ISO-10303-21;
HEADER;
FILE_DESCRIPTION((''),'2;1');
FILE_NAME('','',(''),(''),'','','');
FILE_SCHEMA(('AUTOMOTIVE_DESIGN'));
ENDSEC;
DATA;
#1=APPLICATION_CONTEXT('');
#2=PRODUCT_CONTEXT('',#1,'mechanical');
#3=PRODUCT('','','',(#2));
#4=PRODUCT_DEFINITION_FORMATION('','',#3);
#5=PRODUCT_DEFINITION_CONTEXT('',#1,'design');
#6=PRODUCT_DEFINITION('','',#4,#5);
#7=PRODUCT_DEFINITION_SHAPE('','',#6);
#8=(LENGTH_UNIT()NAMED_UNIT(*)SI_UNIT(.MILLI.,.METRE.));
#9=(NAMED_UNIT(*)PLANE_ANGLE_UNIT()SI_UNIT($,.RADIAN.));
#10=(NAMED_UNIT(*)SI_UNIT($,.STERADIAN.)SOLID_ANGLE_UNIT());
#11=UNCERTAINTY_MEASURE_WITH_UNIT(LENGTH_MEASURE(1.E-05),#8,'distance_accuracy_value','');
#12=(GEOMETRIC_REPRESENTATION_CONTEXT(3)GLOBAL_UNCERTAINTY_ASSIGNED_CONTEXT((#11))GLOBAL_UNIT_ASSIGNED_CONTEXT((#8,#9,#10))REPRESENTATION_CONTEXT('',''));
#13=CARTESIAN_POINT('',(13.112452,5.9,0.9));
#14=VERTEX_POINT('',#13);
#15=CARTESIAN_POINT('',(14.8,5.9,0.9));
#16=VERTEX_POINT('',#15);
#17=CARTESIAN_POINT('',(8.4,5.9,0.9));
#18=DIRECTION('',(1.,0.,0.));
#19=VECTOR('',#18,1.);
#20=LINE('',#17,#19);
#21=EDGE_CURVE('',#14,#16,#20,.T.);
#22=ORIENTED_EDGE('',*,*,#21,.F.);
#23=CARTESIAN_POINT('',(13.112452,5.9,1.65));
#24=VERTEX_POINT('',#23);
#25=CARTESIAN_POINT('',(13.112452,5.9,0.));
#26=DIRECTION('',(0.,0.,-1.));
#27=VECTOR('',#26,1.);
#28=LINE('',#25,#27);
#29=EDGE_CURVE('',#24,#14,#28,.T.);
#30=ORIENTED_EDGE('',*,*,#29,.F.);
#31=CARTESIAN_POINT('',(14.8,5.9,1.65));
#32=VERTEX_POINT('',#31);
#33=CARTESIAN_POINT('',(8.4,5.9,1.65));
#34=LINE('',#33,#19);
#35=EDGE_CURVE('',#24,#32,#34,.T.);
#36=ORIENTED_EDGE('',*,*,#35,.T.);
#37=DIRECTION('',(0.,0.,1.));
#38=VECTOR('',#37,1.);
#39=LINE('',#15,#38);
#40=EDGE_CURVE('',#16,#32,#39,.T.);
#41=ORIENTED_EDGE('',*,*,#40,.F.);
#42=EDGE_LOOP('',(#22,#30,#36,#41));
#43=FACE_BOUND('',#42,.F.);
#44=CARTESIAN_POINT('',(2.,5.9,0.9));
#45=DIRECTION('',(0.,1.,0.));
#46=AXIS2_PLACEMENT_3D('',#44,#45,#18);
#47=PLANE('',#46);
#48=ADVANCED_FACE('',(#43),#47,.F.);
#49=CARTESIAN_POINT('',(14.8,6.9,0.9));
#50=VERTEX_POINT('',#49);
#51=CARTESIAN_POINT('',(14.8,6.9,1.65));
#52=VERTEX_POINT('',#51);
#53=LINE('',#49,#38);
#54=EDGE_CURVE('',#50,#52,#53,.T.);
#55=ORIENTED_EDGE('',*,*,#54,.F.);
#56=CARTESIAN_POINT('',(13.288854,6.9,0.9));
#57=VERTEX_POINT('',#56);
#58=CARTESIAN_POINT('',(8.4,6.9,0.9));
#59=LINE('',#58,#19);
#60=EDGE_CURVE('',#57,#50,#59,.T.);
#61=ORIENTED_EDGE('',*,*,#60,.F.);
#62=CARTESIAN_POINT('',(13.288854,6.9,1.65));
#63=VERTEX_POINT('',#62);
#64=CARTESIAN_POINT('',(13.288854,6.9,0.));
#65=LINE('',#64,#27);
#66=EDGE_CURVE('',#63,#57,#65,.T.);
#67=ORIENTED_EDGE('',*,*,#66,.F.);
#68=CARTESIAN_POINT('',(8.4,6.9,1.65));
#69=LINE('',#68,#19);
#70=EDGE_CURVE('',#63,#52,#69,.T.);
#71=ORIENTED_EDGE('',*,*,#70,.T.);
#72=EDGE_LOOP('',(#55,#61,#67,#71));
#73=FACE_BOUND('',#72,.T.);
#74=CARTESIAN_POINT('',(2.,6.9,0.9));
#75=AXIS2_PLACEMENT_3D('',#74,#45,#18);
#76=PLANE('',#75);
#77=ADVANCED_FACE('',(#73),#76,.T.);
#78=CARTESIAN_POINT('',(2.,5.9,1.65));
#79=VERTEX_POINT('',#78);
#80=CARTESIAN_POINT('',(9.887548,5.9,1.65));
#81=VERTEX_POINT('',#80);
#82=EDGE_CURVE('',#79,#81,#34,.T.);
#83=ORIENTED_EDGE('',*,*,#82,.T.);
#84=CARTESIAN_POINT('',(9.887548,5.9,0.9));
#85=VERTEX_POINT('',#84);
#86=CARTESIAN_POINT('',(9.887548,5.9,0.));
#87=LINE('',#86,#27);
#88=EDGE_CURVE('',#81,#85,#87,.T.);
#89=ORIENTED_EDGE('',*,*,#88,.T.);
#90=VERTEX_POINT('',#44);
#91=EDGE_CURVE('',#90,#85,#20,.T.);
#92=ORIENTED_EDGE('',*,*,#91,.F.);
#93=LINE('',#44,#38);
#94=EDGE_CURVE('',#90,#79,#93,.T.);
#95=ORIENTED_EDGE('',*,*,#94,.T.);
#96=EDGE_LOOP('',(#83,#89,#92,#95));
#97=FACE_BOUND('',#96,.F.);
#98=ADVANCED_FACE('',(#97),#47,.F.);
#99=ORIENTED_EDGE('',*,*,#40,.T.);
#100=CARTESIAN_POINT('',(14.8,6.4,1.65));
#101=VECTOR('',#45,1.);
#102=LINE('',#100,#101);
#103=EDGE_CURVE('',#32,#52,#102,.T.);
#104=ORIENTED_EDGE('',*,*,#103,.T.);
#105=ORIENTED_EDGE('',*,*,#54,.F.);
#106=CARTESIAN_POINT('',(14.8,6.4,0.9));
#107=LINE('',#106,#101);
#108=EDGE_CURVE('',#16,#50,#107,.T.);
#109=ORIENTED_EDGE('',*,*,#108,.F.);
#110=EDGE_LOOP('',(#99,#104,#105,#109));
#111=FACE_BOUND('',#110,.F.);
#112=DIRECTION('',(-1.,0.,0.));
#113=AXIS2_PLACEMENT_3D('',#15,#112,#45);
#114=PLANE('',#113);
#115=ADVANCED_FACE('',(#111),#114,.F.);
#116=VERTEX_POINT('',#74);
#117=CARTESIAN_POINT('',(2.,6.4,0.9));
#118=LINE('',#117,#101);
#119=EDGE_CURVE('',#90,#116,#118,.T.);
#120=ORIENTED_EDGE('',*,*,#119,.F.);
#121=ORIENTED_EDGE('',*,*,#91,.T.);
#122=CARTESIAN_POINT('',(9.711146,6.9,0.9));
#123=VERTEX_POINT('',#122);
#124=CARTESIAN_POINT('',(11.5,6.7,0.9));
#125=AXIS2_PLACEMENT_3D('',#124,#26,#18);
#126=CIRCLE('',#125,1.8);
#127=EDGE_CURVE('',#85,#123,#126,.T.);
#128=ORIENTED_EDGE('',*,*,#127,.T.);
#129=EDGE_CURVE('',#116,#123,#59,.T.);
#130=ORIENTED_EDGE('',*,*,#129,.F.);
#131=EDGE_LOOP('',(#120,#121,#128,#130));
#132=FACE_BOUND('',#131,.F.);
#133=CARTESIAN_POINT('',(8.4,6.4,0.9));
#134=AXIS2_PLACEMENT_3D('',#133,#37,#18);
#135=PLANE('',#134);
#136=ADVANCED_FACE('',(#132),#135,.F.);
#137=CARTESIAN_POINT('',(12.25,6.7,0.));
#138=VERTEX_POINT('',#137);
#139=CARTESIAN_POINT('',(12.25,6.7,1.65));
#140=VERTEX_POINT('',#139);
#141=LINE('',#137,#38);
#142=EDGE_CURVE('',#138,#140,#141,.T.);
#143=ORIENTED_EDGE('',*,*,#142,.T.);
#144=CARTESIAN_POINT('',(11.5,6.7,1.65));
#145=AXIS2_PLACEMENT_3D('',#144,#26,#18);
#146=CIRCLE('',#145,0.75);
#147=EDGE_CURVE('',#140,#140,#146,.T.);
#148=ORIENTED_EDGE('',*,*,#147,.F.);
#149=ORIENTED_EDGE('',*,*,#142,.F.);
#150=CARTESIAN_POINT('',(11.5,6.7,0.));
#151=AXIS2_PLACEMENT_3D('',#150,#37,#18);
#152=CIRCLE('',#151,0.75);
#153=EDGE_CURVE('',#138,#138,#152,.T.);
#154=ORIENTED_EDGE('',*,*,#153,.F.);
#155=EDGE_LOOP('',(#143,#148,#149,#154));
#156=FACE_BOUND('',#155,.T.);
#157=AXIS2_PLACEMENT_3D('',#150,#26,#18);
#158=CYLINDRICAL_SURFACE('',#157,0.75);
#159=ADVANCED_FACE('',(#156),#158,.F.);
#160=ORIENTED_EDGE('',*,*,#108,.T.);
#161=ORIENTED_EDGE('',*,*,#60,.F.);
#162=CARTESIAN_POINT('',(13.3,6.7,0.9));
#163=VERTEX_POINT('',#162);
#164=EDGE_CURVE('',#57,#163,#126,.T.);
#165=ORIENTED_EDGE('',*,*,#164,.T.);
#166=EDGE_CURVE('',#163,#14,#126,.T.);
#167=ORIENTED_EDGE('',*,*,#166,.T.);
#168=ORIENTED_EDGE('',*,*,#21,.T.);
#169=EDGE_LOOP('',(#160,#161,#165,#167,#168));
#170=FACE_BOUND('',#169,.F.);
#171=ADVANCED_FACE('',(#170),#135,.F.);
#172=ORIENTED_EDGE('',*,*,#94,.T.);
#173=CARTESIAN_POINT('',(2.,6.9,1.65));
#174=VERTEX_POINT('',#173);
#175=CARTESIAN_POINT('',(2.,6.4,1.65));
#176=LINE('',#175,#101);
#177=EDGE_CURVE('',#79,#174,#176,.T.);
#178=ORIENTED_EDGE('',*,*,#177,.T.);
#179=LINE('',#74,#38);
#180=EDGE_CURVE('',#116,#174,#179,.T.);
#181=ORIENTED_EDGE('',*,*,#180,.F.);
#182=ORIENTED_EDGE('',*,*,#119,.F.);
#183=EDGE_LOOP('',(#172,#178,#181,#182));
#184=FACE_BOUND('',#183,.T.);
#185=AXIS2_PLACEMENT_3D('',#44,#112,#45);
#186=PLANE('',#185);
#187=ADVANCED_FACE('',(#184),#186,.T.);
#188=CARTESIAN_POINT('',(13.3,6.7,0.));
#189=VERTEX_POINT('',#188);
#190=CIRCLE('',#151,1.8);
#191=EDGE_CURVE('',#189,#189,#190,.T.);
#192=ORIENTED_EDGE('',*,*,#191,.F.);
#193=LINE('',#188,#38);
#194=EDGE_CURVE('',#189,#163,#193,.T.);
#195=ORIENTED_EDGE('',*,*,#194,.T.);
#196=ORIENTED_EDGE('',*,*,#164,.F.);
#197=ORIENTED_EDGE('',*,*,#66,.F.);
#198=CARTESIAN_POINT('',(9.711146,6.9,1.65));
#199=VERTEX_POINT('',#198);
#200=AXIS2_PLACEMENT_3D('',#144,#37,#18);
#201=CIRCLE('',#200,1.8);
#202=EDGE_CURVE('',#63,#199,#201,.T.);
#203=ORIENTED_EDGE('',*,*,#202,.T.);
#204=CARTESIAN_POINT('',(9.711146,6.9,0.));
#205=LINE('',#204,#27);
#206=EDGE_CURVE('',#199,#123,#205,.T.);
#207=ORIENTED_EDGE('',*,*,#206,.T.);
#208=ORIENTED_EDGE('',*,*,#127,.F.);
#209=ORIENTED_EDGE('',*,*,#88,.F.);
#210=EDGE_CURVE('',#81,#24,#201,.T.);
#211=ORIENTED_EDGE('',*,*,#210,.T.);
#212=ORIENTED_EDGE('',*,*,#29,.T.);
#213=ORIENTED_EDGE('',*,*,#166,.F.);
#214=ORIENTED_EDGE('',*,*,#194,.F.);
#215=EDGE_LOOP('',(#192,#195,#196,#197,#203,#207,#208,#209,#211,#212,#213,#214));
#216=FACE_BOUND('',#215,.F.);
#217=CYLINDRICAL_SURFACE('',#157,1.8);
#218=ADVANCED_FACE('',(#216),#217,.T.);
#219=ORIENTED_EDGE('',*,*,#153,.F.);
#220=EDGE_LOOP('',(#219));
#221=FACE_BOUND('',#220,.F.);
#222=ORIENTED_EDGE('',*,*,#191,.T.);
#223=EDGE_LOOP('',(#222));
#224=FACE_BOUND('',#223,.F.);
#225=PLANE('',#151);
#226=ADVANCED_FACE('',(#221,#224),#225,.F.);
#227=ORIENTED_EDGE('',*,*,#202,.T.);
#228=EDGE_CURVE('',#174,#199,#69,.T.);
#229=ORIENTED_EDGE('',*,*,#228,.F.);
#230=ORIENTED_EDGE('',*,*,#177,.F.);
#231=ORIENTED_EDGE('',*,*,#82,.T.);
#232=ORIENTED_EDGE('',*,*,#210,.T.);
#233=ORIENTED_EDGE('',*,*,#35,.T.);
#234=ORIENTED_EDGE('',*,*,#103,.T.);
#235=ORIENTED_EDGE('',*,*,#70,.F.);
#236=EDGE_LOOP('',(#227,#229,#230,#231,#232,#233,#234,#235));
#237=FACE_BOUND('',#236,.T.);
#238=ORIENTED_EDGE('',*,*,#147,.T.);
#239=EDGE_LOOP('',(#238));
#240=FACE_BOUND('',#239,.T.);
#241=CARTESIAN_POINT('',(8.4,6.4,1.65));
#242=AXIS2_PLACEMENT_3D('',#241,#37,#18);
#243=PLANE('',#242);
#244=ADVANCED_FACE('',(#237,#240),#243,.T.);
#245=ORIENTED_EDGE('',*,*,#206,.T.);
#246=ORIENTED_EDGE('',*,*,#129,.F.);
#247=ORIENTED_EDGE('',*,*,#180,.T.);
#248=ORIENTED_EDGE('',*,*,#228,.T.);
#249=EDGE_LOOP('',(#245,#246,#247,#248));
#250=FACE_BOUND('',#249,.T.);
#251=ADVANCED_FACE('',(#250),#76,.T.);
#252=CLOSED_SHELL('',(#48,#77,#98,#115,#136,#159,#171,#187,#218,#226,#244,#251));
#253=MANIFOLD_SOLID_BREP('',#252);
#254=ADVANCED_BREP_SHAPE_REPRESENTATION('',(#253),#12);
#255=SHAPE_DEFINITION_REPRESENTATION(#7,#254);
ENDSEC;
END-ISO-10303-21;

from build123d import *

# Parameters (mm, degrees)
CYLINDER002_R     = 0.75
CYLINDER002_DEPTH = 10
BOX005_W          = 12.8
BOX005_H          = 1
BOX005_DEPTH      = 0.75
CYLINDER001_R     = 1.8
CYLINDER001_DEPTH = 1.65


with BuildPart() as cylinder002:
    # Cylinder002 → Cylinder002 (new body)
    with BuildSketch(Plane(origin=(11.5, 6.7, 0), x_dir=(1, 0, 0), z_dir=(0, 0, 1))):
        Circle(CYLINDER002_R)
    extrude(amount=CYLINDER002_DEPTH)


with BuildPart() as sk1:
    # Box005 → Box005 (new body)
    with BuildSketch(Plane(origin=(2, 5.9, 0.9), x_dir=(1, 0, 0), z_dir=(0, 0, 1))):
        with Locations((6.4, 0.5)):
            Rectangle(BOX005_W, BOX005_H)
    extrude(amount=BOX005_DEPTH)


with BuildPart() as cut001:
    # Cylinder001 → Cylinder001 (new body)
    with BuildSketch(Plane(origin=(11.5, 6.7, 0), x_dir=(1, 0, 0), z_dir=(0, 0, 1))):
        Circle(CYLINDER001_R)
    extrude(amount=CYLINDER001_DEPTH)

    # Fusion001: union sk1
    add(sk1.part)

    # Cut001: cut Cylinder002
    add(cylinder002.part, mode=Mode.SUBTRACT)


solid = cut001.part
